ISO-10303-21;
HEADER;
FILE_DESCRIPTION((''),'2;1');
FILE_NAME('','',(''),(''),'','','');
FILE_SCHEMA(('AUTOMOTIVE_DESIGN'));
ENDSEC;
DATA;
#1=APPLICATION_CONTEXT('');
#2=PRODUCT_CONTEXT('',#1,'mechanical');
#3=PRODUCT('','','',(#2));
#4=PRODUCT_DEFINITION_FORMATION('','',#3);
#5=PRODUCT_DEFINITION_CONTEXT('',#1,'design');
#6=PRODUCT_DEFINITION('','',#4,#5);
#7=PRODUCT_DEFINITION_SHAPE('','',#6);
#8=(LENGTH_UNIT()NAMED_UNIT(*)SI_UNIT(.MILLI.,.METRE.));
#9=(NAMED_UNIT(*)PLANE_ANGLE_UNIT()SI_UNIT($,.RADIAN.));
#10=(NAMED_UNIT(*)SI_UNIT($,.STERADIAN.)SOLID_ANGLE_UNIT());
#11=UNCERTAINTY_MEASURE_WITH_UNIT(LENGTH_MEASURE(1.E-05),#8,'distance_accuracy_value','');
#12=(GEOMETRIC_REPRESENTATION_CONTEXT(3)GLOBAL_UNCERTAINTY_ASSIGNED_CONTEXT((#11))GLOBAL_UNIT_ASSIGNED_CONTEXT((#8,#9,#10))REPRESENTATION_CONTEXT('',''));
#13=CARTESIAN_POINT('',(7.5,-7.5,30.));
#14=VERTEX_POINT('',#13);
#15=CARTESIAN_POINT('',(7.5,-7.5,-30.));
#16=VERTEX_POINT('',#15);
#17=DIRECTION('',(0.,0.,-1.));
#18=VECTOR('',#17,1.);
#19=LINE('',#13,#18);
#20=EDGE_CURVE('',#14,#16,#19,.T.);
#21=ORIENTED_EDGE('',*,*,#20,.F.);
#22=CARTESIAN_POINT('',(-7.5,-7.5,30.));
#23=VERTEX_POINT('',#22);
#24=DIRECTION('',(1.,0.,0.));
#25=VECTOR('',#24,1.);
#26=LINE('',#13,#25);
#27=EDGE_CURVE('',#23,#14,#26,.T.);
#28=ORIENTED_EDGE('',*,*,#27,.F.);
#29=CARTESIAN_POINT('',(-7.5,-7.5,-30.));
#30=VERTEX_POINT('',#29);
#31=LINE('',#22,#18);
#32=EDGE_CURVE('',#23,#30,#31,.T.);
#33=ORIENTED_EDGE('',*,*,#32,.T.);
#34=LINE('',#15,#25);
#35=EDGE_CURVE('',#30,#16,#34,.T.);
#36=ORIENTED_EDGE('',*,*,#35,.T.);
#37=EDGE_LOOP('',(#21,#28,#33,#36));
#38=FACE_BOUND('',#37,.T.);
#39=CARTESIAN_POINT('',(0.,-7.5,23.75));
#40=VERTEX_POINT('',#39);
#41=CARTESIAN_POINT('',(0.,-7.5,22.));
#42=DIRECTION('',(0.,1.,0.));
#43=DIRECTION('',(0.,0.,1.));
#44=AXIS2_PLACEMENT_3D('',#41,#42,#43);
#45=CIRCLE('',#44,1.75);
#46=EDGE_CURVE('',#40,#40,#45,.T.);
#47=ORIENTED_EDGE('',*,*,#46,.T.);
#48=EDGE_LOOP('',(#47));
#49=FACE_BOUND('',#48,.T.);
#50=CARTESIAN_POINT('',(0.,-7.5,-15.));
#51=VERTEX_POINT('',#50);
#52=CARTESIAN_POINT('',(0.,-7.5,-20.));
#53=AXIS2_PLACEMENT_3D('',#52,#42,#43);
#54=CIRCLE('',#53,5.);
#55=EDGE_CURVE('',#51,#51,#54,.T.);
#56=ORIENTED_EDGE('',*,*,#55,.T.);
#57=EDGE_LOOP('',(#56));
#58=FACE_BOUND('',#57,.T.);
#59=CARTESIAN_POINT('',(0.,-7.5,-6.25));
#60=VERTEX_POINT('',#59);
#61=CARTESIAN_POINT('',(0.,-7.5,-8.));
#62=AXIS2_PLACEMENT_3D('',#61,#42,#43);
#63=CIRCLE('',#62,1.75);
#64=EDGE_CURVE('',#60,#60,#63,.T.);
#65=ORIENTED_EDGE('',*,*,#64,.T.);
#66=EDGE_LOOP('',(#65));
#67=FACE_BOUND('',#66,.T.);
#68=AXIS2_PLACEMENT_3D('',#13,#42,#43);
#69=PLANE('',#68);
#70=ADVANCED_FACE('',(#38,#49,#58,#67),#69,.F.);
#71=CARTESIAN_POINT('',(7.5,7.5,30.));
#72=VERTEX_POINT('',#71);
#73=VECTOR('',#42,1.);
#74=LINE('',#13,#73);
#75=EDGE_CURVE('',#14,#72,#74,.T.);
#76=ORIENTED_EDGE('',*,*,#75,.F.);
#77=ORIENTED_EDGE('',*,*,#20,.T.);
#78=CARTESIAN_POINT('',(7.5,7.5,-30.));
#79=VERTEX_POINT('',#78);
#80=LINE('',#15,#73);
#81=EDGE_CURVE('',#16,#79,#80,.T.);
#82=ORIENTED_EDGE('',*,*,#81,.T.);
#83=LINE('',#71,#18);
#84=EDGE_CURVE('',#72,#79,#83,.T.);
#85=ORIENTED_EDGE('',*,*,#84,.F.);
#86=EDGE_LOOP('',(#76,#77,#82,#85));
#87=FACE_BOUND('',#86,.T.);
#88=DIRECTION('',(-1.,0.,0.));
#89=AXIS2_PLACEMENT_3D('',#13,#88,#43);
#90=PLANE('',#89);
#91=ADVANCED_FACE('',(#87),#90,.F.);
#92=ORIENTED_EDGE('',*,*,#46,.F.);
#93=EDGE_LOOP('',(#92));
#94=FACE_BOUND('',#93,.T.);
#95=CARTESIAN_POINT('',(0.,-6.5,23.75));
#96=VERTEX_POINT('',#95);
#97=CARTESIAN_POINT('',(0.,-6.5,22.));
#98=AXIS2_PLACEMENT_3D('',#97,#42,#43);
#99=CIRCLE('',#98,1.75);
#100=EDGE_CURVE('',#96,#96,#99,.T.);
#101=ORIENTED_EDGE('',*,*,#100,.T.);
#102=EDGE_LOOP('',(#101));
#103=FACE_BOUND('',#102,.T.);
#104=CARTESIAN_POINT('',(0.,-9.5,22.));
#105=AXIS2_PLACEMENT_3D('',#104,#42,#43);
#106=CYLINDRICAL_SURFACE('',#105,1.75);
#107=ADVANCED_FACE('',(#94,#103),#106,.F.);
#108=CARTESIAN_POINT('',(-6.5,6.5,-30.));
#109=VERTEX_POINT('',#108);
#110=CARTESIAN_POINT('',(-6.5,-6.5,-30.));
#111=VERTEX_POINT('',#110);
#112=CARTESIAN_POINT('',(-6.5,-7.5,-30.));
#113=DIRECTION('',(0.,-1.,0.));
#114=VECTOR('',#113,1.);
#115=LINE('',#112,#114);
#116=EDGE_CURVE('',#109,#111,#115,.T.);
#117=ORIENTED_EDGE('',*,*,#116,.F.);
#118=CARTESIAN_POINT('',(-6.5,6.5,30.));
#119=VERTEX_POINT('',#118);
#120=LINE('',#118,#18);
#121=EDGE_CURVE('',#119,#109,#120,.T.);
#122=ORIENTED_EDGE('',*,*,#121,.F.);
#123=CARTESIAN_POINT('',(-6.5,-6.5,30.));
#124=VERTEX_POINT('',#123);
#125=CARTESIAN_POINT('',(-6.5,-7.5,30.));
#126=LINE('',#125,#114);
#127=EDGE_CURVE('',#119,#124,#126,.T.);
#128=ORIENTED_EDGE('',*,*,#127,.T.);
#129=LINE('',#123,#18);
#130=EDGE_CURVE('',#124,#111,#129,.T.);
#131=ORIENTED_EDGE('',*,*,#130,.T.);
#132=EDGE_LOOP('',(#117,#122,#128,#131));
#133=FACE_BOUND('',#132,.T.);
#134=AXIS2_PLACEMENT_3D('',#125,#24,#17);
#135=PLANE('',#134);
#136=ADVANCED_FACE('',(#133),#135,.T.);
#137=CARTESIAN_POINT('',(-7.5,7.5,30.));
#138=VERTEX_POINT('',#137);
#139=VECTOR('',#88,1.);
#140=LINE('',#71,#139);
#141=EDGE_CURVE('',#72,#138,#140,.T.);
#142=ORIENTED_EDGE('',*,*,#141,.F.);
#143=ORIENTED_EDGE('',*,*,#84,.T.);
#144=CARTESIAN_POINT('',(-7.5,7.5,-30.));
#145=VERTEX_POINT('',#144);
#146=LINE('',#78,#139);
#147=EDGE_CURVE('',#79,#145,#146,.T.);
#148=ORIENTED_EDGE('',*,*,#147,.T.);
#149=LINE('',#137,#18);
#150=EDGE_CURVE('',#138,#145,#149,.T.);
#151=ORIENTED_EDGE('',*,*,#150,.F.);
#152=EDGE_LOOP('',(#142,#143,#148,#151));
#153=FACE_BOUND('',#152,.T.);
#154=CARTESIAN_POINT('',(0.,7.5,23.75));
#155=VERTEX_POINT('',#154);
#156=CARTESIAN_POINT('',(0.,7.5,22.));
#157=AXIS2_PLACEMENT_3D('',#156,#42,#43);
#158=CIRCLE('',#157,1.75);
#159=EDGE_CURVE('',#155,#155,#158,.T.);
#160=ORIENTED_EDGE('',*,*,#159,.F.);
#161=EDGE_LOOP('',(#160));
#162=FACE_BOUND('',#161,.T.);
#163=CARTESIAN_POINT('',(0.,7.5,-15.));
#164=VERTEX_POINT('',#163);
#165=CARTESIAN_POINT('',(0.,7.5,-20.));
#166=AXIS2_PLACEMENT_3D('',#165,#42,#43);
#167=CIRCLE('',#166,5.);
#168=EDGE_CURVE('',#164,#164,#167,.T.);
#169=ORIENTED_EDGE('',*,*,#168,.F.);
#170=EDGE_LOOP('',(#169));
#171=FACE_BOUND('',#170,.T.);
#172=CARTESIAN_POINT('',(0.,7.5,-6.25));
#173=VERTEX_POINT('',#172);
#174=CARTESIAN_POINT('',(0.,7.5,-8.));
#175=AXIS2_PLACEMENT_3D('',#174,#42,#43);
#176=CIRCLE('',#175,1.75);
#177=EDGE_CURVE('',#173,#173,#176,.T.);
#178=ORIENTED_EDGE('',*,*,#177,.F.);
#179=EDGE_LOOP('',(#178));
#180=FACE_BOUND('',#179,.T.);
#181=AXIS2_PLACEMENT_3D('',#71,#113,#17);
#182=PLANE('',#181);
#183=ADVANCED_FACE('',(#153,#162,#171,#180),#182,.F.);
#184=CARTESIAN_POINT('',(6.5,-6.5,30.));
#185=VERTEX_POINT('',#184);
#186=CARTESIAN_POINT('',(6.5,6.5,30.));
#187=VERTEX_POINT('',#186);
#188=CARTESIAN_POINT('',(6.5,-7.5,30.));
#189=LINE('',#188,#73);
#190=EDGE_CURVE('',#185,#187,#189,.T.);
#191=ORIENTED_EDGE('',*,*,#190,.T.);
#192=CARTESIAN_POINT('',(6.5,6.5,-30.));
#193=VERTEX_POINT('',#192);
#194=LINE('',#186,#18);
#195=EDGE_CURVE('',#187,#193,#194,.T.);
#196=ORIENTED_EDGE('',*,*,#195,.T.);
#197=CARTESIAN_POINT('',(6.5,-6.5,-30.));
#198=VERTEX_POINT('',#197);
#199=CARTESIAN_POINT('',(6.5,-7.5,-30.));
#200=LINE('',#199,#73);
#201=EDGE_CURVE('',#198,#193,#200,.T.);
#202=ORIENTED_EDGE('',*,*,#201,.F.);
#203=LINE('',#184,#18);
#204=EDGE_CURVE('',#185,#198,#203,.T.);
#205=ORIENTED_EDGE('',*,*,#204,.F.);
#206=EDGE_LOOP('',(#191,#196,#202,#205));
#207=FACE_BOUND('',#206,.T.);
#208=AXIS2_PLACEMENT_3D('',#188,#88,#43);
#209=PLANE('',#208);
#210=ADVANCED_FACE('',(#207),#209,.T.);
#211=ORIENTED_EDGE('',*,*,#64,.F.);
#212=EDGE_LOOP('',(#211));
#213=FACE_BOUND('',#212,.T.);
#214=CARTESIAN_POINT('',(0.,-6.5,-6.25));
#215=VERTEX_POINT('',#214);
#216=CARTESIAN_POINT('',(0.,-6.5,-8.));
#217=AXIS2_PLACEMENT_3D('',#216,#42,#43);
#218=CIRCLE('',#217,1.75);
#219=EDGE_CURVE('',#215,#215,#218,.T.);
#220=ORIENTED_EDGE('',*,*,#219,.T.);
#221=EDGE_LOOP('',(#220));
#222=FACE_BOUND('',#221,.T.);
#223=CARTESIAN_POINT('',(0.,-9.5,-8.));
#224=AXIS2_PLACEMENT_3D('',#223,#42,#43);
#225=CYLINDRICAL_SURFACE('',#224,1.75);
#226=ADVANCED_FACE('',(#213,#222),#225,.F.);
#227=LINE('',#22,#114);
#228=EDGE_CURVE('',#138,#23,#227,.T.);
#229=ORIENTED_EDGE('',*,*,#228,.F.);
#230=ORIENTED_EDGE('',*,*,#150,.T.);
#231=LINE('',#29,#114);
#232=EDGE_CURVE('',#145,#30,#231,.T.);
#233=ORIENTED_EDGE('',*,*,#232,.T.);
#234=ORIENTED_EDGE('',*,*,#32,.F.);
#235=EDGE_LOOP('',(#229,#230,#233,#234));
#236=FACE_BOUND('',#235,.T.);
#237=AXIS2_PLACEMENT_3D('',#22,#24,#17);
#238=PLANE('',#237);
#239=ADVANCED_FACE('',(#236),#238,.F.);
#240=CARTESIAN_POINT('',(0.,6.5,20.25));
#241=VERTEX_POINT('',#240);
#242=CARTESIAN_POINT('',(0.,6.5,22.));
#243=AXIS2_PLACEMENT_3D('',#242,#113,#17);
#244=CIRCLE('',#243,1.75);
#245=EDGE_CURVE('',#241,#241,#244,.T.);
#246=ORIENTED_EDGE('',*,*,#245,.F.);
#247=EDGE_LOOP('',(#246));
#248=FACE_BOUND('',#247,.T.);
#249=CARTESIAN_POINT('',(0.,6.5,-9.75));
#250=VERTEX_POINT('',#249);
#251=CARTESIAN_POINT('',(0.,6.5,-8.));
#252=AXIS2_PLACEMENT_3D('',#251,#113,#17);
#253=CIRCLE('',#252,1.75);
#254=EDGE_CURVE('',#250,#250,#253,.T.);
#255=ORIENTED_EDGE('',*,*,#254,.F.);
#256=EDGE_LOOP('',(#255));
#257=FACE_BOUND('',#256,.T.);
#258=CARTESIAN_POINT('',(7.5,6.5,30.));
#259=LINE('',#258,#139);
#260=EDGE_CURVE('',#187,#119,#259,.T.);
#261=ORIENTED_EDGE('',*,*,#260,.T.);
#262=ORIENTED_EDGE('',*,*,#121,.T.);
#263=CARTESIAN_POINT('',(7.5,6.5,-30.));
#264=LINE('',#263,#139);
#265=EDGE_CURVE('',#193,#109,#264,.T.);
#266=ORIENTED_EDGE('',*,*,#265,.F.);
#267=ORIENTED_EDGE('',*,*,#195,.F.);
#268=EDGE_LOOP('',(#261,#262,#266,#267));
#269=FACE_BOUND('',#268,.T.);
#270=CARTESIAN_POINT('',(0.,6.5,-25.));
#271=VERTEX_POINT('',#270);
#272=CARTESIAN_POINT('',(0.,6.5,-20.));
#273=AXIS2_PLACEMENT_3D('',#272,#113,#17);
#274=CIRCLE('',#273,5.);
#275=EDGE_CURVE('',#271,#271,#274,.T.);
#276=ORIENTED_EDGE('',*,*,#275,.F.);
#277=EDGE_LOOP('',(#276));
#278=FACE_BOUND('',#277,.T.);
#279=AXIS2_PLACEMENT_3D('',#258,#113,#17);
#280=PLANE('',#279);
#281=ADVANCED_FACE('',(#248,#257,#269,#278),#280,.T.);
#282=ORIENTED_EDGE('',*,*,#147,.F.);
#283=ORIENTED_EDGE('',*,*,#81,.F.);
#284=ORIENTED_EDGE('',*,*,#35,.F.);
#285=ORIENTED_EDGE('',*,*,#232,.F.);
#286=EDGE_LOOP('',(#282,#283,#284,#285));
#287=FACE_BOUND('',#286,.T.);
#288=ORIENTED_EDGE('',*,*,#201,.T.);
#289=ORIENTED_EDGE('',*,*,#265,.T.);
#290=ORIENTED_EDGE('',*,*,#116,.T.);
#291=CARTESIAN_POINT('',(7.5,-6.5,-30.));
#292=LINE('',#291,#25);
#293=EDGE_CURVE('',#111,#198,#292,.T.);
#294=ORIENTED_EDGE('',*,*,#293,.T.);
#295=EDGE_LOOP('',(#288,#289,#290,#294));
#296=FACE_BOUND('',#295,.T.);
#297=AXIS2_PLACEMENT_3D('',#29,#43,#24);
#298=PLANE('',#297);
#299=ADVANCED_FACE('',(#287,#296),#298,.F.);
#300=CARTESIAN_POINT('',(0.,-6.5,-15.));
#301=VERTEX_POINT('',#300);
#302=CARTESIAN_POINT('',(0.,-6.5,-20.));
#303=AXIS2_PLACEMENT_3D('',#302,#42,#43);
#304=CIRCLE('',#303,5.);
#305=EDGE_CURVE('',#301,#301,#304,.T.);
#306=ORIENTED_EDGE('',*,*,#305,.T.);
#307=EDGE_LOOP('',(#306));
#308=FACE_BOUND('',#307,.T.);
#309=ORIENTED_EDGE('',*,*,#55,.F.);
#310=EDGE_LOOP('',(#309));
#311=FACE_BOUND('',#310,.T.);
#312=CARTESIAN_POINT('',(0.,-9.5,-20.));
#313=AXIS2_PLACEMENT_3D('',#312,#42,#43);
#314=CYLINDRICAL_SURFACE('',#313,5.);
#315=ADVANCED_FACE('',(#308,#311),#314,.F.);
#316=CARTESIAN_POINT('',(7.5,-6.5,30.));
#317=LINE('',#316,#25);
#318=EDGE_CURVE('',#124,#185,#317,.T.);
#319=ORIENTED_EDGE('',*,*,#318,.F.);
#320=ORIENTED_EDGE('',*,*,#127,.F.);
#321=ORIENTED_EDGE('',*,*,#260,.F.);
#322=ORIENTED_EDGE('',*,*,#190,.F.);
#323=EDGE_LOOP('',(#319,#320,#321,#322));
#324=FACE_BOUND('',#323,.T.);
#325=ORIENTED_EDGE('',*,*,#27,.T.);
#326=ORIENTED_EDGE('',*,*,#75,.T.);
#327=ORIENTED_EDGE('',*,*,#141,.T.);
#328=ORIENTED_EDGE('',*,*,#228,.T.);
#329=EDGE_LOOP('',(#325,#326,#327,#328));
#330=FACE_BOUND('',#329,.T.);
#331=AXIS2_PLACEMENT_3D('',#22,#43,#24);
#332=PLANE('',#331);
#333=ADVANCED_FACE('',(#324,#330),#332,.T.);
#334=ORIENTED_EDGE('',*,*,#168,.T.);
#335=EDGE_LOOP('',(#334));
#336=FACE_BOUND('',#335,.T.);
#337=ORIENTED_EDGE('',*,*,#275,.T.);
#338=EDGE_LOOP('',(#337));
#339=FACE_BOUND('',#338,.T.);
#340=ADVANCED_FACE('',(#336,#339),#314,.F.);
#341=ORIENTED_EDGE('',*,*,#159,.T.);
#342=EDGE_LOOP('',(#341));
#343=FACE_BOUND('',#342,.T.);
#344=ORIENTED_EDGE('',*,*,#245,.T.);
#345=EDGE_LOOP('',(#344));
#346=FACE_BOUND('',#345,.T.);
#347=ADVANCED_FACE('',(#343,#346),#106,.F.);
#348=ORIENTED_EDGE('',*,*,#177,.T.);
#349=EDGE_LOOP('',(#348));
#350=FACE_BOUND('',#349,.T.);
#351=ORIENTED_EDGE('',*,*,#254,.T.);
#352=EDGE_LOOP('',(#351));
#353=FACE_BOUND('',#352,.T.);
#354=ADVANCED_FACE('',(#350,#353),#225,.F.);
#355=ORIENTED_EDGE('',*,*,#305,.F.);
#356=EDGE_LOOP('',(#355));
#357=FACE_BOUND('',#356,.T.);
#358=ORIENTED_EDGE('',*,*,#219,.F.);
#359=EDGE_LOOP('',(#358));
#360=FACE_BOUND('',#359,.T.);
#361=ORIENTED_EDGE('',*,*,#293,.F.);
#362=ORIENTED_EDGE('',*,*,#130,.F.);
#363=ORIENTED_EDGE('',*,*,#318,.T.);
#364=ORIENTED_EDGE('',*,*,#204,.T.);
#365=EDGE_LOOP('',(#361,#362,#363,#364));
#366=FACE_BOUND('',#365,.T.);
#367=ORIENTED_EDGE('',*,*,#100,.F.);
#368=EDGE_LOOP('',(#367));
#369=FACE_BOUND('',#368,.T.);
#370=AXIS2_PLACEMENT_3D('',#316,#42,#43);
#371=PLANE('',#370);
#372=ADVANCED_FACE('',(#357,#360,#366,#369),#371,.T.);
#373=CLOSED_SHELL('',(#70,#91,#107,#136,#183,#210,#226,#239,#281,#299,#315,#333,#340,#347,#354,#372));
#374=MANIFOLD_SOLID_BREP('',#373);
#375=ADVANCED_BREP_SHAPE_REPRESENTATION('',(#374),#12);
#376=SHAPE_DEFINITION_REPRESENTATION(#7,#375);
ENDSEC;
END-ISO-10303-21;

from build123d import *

# Parameters (mm, degrees)
SKIZZE1_W                       = 15
SKIZZE1_H                       = 15
SKIZZE1_W_2                     = 13
SKIZZE1_H_2                     = 13
LINEAR_AUSTRAGEN_D_NN1_DEPTH    = 30
SKIZZE2_R                       = 1.75
SKIZZE2_R_2                     = 5
SCHNITT_LINEAR_AUSTRAGEN1_DEPTH = 17


with BuildPart() as part:
    # Skizze1 → Linear-Austragen-Dünn1 (new, symmetric)
    with BuildSketch(Plane.XY):
        Rectangle(SKIZZE1_W, SKIZZE1_H)
        Rectangle(SKIZZE1_W_2, SKIZZE1_H_2, mode=Mode.SUBTRACT)
    extrude(amount=LINEAR_AUSTRAGEN_D_NN1_DEPTH, both=True)

    # Skizze2 → Schnitt-Linear austragen1 (cut)
    with BuildSketch(Plane(origin=(0, 7.5, 0), x_dir=(1, 0, 0), z_dir=(0, 1, 0))):
        with Locations(Location((0, -22, 0), (0, 0, 270))):
            Circle(SKIZZE2_R)
        with Locations(Location((0, 8, 0), (0, 0, 270))):
            Circle(SKIZZE2_R)
        with Locations(Location((0, 20, 0), (0, 0, 270))):
            Circle(SKIZZE2_R_2)
    extrude(amount=-SCHNITT_LINEAR_AUSTRAGEN1_DEPTH, mode=Mode.SUBTRACT)


solid = part.part
